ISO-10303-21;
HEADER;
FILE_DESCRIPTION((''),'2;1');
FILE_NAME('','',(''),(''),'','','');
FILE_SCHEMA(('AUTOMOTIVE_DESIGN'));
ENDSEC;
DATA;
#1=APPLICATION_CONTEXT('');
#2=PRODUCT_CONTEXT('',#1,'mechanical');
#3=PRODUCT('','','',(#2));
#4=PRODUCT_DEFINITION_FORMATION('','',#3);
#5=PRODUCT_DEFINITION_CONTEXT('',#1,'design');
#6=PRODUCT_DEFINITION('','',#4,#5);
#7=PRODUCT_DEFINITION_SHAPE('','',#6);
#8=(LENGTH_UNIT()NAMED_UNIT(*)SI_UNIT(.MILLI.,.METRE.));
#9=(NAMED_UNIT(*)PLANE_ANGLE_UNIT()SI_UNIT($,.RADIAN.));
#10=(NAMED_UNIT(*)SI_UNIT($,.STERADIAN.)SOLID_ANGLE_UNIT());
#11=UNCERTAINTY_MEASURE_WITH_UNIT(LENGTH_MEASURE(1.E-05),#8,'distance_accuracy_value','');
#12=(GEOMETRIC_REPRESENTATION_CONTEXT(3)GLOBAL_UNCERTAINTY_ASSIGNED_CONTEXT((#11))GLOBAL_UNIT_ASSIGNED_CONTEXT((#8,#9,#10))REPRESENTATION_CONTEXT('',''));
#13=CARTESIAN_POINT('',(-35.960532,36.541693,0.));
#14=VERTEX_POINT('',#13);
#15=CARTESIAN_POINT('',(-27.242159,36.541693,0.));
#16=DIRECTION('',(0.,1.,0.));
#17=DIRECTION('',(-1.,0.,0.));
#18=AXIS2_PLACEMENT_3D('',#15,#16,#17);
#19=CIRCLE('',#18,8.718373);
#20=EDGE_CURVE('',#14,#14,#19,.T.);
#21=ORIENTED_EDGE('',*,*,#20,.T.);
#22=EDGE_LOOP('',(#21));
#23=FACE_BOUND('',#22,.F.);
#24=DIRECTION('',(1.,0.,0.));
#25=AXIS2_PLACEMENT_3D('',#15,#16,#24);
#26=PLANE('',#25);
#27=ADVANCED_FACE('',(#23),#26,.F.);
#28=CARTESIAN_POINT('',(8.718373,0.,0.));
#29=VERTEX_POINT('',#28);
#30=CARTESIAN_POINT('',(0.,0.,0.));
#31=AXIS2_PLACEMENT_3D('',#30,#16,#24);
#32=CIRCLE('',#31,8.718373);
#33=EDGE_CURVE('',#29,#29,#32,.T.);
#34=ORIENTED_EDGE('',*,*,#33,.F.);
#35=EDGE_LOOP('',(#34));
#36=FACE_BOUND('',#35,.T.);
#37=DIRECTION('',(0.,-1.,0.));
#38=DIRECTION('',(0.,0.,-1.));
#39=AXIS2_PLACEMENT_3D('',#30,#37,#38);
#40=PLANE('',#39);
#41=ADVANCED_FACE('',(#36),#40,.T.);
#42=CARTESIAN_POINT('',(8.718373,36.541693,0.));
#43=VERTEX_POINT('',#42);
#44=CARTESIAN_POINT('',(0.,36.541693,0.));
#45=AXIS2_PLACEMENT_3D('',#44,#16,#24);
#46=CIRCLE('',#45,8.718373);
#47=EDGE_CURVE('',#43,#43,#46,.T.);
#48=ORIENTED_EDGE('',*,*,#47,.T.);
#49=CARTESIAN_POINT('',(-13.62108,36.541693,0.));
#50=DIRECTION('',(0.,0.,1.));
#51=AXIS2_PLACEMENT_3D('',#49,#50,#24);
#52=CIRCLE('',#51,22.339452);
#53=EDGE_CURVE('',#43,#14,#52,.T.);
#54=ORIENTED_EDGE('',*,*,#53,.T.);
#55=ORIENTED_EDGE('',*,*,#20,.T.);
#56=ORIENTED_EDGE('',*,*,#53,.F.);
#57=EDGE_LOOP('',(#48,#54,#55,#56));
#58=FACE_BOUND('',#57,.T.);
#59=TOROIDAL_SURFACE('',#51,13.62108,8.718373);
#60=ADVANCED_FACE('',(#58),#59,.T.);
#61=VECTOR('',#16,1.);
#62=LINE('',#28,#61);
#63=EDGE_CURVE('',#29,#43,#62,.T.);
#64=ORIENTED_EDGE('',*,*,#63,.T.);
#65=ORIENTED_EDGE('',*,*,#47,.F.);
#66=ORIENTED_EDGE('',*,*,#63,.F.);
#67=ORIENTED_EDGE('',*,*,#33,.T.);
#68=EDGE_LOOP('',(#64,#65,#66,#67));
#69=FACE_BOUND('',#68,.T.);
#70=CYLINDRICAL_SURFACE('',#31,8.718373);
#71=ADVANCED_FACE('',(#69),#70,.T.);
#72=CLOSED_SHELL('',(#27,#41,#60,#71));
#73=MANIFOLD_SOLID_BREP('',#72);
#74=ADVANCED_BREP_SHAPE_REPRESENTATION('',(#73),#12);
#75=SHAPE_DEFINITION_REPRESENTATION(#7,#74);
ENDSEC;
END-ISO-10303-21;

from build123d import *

# Parameters (mm, degrees)
F1_R = 8.7183725312


with BuildPart() as f2:
    # F2: sweep along a path in F0
    with BuildLine(Plane.XY) as f2_path:
        Line((0, 0), (0, 36.5416929126))
        ThreePointArc((0, 36.5416929126), (-13.6210797355, 50.162772648), (-27.2421594709, 36.5416929126))
    # F1 (on Front) → F2 (sweep)
    with BuildSketch(Plane.XZ):
        Circle(F1_R)
    sweep(path=f2_path.line)


solid = f2.part
